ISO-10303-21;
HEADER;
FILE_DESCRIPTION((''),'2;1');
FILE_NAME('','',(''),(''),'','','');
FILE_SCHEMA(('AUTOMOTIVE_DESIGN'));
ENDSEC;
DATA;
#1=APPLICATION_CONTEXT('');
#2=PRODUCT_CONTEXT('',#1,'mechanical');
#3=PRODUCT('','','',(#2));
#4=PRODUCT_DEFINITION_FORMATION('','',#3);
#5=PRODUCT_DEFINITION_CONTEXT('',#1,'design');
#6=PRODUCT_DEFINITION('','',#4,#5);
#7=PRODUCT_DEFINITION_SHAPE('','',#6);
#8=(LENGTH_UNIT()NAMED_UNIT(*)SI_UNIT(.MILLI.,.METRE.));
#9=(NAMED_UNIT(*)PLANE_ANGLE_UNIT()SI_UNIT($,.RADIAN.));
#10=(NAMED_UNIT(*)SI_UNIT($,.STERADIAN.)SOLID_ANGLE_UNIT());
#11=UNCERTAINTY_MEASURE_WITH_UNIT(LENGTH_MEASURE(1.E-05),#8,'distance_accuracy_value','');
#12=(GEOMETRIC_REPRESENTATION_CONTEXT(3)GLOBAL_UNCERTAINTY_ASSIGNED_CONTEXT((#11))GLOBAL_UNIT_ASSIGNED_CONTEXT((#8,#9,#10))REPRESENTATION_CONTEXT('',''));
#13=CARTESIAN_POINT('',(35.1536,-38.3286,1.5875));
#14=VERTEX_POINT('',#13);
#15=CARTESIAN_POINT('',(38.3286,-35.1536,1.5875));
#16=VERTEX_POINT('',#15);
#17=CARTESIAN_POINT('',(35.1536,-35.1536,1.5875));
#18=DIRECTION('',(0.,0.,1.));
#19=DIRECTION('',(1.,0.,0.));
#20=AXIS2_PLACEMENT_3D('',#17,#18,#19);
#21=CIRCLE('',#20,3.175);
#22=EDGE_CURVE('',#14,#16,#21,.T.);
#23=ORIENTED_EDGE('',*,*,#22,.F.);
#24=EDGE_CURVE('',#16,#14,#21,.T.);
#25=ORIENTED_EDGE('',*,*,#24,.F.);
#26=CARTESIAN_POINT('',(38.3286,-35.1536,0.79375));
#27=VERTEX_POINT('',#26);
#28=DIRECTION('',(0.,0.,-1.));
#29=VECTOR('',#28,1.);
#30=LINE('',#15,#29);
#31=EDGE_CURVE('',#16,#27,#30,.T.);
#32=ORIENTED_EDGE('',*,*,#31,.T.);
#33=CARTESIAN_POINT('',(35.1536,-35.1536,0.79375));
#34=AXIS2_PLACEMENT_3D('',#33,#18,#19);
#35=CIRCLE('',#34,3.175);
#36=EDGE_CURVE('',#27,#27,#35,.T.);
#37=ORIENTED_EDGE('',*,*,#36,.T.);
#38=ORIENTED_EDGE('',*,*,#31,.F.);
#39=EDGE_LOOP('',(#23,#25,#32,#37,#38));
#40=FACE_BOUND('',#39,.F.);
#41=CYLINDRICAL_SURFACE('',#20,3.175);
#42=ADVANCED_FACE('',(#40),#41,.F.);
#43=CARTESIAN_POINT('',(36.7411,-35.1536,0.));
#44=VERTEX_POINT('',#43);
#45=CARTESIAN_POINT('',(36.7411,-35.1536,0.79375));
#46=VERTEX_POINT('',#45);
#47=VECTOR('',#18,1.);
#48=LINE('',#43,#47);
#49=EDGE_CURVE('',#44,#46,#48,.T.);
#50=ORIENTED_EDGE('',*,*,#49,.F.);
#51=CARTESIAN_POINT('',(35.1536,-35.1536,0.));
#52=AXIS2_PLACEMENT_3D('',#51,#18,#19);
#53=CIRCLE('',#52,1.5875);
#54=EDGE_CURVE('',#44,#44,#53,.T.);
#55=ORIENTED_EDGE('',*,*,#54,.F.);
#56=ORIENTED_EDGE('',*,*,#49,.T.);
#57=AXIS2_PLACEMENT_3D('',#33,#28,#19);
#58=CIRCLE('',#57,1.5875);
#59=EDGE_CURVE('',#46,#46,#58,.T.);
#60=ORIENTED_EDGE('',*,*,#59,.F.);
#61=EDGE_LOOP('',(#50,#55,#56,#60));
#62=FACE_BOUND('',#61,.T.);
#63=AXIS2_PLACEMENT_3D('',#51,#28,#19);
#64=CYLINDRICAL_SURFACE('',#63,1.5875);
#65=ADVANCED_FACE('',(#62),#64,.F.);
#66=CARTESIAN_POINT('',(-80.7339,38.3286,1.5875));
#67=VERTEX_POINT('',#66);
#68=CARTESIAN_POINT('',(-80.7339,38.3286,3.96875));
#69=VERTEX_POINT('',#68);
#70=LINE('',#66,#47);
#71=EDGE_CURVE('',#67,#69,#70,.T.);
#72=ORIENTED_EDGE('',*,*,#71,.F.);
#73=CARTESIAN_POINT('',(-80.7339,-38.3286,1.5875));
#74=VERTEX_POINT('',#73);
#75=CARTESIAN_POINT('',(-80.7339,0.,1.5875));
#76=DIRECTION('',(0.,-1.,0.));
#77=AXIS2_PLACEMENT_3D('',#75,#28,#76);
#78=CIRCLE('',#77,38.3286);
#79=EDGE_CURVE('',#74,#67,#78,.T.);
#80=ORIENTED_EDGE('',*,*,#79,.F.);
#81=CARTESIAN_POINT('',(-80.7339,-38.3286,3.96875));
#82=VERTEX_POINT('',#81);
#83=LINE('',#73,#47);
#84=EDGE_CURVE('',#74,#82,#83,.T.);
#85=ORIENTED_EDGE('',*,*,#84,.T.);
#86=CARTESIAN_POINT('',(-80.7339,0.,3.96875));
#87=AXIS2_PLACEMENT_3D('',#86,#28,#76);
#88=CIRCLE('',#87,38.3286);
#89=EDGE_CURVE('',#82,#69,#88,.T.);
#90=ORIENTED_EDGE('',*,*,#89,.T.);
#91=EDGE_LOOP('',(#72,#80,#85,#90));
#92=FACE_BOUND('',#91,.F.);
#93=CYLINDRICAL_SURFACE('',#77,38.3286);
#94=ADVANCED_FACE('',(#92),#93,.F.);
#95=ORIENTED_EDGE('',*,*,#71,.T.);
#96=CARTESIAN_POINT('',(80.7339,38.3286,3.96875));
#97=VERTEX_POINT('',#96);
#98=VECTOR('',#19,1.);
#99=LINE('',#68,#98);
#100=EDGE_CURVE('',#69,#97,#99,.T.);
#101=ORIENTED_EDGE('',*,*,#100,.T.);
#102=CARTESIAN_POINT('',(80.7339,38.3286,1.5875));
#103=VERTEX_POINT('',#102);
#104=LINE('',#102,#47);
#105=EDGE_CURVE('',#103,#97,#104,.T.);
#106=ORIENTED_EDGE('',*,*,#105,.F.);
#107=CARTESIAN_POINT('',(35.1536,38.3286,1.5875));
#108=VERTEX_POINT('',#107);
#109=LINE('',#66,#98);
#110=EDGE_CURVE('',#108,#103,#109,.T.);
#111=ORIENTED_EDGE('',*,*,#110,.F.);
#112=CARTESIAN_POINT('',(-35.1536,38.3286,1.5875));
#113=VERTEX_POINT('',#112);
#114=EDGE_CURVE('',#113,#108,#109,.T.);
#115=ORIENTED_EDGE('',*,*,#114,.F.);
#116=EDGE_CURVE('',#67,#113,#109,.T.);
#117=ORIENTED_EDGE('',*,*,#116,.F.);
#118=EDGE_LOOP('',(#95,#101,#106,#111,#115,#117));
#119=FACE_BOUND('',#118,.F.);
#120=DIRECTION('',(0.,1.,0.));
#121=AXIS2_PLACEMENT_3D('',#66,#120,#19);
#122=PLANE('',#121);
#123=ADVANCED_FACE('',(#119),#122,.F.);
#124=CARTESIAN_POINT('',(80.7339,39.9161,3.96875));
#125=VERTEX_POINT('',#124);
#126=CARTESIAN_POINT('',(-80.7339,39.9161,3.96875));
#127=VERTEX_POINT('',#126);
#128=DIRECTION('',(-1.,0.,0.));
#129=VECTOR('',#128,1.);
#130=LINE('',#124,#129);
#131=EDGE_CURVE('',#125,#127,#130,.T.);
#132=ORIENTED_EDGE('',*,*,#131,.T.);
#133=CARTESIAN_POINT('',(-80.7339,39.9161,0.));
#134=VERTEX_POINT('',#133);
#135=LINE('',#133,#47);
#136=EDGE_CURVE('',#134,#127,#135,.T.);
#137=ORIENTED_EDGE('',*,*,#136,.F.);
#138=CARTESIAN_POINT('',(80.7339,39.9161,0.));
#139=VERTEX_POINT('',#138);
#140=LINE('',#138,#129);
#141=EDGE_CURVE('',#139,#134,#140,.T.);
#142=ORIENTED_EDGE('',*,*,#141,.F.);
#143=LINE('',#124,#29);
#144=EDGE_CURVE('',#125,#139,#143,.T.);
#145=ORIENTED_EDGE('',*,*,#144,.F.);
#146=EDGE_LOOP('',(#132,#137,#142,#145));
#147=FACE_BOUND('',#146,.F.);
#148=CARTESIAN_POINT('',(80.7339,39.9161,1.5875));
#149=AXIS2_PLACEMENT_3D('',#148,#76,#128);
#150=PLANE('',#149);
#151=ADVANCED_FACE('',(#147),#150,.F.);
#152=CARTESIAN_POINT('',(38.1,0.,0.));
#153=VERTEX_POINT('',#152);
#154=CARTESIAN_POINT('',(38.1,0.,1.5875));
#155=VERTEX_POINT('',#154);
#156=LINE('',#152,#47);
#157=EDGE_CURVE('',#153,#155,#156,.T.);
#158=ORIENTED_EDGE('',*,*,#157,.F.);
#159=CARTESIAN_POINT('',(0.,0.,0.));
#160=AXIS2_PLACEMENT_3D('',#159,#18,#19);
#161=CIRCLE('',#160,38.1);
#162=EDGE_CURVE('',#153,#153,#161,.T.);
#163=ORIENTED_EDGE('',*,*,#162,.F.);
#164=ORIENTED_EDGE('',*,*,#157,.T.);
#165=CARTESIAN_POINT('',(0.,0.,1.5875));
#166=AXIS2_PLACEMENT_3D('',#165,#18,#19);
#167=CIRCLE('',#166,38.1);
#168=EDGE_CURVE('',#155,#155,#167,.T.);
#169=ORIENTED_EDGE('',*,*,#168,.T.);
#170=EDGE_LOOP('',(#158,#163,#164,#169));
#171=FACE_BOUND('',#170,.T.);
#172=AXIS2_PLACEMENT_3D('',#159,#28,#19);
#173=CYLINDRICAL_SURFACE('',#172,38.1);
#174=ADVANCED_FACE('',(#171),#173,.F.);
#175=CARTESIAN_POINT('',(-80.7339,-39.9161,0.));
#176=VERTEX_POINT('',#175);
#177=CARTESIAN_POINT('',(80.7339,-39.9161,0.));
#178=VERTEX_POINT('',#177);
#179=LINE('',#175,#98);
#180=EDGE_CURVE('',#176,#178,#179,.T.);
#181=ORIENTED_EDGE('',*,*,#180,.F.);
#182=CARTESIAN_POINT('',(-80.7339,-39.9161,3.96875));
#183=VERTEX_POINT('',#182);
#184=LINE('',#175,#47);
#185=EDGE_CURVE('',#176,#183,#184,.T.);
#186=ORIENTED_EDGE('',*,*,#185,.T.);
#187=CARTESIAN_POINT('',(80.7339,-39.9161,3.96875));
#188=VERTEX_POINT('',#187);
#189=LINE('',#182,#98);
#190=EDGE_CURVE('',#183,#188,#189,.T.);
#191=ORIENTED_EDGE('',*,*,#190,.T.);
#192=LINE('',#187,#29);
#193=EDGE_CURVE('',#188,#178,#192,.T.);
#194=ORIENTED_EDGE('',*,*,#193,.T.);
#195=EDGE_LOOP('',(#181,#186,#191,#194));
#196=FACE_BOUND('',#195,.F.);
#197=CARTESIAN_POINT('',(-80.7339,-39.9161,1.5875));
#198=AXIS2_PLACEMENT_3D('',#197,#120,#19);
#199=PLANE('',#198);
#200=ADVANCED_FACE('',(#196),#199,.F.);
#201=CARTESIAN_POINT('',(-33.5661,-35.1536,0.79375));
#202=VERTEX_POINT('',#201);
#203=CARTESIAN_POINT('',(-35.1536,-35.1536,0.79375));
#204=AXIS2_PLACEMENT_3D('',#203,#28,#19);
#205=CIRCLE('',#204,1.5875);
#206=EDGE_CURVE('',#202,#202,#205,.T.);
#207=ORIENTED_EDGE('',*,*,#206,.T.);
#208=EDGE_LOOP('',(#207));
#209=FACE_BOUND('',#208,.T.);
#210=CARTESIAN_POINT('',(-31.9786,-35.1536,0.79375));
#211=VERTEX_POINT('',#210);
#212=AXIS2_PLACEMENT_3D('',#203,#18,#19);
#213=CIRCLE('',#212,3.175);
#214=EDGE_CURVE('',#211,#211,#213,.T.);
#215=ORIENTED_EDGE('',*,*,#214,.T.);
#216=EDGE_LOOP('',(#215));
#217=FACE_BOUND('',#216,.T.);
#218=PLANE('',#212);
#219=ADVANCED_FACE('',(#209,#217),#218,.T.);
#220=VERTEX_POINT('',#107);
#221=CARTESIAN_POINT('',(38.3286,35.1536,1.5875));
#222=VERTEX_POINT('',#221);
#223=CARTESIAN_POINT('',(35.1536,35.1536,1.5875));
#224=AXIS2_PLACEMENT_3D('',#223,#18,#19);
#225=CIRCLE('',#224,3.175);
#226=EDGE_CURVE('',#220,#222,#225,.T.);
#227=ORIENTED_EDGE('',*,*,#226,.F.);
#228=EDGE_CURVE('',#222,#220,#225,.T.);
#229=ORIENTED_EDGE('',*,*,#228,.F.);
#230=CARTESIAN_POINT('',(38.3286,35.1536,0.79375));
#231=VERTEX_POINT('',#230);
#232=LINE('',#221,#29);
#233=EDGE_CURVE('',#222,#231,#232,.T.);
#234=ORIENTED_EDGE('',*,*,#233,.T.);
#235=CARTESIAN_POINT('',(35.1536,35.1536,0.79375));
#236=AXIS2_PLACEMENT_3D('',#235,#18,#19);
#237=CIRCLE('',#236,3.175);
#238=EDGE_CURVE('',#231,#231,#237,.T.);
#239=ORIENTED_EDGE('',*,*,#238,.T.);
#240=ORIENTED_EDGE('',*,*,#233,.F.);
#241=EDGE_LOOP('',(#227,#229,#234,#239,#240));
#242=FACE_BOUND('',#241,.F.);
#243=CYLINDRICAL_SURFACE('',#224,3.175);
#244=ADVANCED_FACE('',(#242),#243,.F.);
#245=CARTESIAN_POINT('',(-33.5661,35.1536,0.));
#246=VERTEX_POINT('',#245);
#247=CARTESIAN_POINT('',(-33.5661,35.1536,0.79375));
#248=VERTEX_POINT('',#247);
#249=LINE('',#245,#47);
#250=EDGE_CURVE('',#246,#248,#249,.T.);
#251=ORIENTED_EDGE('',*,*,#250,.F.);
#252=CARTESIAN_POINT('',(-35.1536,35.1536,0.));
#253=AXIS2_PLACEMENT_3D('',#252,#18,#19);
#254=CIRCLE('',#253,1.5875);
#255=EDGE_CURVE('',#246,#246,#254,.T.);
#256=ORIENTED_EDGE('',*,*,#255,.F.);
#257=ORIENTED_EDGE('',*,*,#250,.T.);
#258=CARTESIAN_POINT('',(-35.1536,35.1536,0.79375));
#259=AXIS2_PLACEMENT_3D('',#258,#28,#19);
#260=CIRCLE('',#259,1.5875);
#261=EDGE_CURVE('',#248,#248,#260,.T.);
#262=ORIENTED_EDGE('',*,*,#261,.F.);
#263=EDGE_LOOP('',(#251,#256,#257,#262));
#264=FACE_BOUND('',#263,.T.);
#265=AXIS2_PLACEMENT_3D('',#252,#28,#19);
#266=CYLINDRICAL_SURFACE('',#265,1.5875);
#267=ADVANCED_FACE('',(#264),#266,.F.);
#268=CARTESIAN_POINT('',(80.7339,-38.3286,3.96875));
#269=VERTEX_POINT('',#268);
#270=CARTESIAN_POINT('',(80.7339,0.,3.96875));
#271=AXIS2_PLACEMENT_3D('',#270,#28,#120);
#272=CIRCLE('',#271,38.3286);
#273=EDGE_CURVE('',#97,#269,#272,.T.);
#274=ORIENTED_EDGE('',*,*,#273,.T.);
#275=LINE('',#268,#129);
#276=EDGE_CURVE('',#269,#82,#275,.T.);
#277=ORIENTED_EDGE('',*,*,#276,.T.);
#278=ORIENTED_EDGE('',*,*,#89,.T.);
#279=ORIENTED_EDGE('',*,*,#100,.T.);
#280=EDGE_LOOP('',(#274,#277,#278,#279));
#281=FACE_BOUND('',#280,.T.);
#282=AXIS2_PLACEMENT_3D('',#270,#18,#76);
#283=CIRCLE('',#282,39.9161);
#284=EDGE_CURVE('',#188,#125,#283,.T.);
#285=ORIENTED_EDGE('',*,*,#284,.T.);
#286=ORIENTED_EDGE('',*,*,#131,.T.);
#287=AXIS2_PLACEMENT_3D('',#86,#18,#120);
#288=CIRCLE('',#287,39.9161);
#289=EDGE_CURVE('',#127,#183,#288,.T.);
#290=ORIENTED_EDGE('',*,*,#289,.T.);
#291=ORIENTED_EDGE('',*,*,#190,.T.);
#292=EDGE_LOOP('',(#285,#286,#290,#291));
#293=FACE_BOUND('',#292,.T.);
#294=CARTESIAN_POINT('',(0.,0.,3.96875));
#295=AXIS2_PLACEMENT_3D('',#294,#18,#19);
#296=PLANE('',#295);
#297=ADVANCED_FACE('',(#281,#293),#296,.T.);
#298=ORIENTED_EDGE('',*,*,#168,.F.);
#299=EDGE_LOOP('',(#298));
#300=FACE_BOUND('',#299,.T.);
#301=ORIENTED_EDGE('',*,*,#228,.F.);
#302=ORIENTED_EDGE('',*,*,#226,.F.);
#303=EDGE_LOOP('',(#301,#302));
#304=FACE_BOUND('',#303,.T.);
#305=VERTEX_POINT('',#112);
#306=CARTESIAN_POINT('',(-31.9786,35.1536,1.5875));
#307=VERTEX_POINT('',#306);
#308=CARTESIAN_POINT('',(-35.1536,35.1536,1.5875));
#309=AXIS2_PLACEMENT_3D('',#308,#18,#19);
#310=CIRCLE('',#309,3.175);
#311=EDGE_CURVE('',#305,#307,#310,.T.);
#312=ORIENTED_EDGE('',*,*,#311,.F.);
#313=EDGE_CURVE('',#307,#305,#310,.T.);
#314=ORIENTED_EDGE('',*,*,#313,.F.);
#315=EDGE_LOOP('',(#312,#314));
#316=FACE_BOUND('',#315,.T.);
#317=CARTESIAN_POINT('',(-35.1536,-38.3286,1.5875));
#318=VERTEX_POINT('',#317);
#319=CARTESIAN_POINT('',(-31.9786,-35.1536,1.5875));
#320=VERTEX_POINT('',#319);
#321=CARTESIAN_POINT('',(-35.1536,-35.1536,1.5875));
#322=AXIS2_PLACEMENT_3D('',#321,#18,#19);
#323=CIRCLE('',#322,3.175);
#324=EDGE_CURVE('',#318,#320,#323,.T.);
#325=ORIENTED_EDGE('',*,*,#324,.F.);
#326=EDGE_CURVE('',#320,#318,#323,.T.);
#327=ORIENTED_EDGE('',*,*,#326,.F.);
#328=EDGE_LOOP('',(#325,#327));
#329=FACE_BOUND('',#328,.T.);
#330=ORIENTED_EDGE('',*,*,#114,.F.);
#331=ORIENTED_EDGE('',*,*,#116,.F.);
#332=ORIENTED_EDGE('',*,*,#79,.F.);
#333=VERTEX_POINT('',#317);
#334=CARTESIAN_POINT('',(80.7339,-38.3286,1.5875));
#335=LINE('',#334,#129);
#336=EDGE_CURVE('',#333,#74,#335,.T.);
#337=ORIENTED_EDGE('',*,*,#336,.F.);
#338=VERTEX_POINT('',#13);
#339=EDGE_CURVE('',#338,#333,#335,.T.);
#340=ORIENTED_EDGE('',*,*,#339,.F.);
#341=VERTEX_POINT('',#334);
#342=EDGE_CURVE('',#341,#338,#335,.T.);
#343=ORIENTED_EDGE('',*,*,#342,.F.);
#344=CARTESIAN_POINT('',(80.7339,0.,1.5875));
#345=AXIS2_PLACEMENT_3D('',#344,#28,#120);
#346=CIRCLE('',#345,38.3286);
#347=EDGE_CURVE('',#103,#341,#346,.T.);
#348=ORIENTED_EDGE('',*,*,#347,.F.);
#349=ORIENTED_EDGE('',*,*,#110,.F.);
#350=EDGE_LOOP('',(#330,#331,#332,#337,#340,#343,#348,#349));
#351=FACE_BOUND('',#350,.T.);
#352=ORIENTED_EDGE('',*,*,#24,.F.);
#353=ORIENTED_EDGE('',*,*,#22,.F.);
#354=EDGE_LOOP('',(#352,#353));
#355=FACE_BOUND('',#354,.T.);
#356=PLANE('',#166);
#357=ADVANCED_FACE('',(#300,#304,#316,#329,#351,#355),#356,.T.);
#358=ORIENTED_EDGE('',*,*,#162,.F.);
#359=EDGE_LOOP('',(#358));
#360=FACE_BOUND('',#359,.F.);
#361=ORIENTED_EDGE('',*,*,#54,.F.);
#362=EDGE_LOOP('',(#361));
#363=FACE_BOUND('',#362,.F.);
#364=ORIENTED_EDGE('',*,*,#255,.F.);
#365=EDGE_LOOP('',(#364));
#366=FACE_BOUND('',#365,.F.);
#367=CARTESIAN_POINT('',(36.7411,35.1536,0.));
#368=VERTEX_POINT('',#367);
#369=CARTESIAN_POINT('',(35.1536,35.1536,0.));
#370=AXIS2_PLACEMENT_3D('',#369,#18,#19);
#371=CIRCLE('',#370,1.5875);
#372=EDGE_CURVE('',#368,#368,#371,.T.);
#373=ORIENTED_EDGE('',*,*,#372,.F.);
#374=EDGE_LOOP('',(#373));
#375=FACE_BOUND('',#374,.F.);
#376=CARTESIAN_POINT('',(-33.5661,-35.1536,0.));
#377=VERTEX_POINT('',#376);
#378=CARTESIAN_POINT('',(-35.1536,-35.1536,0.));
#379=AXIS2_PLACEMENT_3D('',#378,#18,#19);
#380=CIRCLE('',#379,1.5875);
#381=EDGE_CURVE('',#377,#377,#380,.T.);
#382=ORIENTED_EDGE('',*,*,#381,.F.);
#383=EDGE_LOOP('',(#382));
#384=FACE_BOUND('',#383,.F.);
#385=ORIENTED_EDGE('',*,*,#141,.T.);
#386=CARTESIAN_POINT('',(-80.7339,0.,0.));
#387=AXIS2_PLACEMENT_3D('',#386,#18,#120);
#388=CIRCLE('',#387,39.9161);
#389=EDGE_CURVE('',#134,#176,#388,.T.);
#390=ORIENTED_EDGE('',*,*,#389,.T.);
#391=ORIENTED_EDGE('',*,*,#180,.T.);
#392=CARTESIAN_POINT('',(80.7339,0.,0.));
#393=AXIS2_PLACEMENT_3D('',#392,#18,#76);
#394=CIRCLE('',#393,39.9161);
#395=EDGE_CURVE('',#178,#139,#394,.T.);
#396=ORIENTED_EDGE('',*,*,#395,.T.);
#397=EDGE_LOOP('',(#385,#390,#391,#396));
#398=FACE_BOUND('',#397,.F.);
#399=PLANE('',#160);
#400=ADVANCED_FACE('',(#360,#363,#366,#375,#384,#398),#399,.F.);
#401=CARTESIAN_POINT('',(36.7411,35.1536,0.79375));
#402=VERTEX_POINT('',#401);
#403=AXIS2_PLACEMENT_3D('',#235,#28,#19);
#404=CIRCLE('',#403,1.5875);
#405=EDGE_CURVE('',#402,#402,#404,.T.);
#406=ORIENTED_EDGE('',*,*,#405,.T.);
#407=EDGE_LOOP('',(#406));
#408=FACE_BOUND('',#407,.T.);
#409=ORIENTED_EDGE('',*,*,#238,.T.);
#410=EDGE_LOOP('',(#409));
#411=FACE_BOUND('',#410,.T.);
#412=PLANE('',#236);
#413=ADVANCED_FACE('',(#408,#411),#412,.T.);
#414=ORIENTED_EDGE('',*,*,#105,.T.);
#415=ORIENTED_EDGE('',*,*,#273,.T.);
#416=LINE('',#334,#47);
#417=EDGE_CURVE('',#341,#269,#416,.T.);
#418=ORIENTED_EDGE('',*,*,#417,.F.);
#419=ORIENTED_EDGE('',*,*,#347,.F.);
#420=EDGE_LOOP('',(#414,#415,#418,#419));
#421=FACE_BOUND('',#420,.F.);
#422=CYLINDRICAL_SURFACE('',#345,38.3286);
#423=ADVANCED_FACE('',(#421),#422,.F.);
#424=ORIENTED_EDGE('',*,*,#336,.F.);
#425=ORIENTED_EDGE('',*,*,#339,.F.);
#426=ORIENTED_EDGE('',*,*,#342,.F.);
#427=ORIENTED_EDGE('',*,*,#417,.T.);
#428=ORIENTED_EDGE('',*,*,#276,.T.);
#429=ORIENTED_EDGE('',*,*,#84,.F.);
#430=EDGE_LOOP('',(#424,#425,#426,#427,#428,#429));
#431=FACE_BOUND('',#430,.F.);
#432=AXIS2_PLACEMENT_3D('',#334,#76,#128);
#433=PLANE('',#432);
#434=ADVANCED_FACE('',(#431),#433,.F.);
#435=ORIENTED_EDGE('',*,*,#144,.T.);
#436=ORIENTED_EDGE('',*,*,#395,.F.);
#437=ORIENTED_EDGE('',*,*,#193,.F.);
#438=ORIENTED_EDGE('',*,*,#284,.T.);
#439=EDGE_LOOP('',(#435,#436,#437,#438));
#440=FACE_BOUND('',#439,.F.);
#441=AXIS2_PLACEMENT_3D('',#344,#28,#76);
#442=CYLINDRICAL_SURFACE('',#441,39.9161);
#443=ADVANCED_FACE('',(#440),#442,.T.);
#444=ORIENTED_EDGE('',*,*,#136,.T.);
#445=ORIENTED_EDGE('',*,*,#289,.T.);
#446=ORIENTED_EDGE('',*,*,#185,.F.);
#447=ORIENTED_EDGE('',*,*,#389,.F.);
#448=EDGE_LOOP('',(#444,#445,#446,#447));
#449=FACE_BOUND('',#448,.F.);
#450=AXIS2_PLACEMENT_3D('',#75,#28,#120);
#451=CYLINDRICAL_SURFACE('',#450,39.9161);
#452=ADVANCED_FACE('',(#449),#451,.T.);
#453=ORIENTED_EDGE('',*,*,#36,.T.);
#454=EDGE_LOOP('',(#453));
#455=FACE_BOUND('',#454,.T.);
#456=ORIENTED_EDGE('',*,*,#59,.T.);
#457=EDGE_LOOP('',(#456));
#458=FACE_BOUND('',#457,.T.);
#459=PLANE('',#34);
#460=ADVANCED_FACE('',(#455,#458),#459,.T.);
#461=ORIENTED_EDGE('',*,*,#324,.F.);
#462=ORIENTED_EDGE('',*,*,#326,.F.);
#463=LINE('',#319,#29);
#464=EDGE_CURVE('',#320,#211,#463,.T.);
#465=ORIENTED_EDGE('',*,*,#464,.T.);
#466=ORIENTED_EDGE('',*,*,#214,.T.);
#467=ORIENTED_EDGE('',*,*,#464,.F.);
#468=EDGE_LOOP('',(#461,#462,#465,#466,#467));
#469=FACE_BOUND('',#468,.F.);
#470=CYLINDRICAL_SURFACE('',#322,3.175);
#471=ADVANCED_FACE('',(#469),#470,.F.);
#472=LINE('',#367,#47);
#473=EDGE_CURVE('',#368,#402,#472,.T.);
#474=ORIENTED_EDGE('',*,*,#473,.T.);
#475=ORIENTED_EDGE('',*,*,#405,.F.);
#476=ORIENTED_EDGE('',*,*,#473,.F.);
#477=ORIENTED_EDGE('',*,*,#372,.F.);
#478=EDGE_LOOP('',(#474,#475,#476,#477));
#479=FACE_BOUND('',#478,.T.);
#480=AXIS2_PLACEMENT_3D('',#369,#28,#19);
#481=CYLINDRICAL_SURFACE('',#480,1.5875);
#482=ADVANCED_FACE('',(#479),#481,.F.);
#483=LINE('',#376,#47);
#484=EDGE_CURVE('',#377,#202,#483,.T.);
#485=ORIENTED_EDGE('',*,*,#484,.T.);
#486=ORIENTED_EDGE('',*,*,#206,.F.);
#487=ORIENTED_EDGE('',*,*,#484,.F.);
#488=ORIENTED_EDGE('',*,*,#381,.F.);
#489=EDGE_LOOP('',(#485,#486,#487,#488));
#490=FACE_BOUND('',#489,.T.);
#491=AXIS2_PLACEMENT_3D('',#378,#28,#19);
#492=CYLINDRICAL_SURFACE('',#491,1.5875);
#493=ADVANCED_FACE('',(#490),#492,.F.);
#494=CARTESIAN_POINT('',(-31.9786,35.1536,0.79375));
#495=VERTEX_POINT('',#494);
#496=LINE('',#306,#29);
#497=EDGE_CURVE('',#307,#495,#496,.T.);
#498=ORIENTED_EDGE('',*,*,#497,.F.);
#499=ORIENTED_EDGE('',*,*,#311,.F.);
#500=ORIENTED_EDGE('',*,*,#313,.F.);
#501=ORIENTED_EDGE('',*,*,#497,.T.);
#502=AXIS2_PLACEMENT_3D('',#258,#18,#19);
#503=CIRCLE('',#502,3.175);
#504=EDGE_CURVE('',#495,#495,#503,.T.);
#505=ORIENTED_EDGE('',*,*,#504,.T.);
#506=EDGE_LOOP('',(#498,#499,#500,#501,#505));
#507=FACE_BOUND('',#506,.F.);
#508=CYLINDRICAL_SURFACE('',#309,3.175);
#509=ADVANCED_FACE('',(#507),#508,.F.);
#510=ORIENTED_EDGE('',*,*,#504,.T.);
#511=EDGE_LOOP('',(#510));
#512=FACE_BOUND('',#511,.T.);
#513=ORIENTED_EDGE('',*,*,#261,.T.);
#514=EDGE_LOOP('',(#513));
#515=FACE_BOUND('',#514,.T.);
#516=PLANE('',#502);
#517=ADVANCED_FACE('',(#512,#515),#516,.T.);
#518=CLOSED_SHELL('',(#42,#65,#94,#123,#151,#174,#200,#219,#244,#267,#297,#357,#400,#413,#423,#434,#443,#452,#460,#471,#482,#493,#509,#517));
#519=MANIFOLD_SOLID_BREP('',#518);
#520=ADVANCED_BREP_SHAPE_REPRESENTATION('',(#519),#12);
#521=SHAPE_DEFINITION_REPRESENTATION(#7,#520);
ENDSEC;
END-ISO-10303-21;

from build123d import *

# Parameters (mm, degrees)
F0_R     = 1.5875
F0_R_2   = 38.1
F1_DEPTH = 1.5875
F3_DEPTH = 2.38125
F4_R     = 3.175
F5_DEPTH = 0.79375


with BuildPart() as f1:
    # F0 (on Top) → F1 (new body)
    with BuildSketch(Plane.XY):
        with BuildLine():
            ThreePointArc((80.7339, -39.9161), (120.65, 0), (80.7339, 39.9161))
            Line((80.7339, 39.9161), (-80.7339, 39.9161))
            ThreePointArc((-80.7339, 39.9161), (-120.65, 0), (-80.7339, -39.9161))
            Line((-80.7339, -39.9161), (80.7339, -39.9161))
        make_face()
        with Locations((-35.1536, -35.1536)):
            Circle(F0_R, mode=Mode.SUBTRACT)
        with Locations((35.1536, -35.1536)):
            Circle(F0_R, mode=Mode.SUBTRACT)
        with Locations((-35.1536, 35.1536)):
            Circle(F0_R, mode=Mode.SUBTRACT)
        Circle(F0_R_2, mode=Mode.SUBTRACT)
        with Locations((35.1536, 35.1536)):
            Circle(F0_R, mode=Mode.SUBTRACT)
    extrude(amount=F1_DEPTH)

    # F2 (on face) → F3 (join)
    with BuildSketch(Plane.XY.offset(1.5875)):
        with BuildLine():
            Line((80.7339, 39.9161), (-80.7339, 39.9161))
            ThreePointArc((-80.7339, 39.9161), (-120.65, 0), (-80.7339, -39.9161))
            Line((-80.7339, -39.9161), (80.7339, -39.9161))
            ThreePointArc((80.7339, -39.9161), (120.65, 0), (80.7339, 39.9161))
        make_face()
        with BuildLine():
            ThreePointArc((80.7339, 38.3286), (119.0625, 0), (80.7339, -38.3286))
            Line((80.7339, -38.3286), (-80.7339, -38.3286))
            ThreePointArc((-80.7339, -38.3286), (-119.0625, 0), (-80.7339, 38.3286))
            Line((-80.7339, 38.3286), (80.7339, 38.3286))
        make_face(mode=Mode.SUBTRACT)
    extrude(amount=F3_DEPTH)

    # F4 (on face) → F5 (cut)
    with BuildSketch(Plane.XY.offset(1.5875)):
        with Locations((-35.1536, 35.1536)):
            Circle(F4_R)
        with Locations((35.1536, 35.1536)):
            Circle(F4_R)
        with Locations((35.1536, -35.1536)):
            Circle(F4_R)
        with Locations((-35.1536, -35.1536)):
            Circle(F4_R)
    extrude(amount=-F5_DEPTH, mode=Mode.SUBTRACT)


solid = f1.part
